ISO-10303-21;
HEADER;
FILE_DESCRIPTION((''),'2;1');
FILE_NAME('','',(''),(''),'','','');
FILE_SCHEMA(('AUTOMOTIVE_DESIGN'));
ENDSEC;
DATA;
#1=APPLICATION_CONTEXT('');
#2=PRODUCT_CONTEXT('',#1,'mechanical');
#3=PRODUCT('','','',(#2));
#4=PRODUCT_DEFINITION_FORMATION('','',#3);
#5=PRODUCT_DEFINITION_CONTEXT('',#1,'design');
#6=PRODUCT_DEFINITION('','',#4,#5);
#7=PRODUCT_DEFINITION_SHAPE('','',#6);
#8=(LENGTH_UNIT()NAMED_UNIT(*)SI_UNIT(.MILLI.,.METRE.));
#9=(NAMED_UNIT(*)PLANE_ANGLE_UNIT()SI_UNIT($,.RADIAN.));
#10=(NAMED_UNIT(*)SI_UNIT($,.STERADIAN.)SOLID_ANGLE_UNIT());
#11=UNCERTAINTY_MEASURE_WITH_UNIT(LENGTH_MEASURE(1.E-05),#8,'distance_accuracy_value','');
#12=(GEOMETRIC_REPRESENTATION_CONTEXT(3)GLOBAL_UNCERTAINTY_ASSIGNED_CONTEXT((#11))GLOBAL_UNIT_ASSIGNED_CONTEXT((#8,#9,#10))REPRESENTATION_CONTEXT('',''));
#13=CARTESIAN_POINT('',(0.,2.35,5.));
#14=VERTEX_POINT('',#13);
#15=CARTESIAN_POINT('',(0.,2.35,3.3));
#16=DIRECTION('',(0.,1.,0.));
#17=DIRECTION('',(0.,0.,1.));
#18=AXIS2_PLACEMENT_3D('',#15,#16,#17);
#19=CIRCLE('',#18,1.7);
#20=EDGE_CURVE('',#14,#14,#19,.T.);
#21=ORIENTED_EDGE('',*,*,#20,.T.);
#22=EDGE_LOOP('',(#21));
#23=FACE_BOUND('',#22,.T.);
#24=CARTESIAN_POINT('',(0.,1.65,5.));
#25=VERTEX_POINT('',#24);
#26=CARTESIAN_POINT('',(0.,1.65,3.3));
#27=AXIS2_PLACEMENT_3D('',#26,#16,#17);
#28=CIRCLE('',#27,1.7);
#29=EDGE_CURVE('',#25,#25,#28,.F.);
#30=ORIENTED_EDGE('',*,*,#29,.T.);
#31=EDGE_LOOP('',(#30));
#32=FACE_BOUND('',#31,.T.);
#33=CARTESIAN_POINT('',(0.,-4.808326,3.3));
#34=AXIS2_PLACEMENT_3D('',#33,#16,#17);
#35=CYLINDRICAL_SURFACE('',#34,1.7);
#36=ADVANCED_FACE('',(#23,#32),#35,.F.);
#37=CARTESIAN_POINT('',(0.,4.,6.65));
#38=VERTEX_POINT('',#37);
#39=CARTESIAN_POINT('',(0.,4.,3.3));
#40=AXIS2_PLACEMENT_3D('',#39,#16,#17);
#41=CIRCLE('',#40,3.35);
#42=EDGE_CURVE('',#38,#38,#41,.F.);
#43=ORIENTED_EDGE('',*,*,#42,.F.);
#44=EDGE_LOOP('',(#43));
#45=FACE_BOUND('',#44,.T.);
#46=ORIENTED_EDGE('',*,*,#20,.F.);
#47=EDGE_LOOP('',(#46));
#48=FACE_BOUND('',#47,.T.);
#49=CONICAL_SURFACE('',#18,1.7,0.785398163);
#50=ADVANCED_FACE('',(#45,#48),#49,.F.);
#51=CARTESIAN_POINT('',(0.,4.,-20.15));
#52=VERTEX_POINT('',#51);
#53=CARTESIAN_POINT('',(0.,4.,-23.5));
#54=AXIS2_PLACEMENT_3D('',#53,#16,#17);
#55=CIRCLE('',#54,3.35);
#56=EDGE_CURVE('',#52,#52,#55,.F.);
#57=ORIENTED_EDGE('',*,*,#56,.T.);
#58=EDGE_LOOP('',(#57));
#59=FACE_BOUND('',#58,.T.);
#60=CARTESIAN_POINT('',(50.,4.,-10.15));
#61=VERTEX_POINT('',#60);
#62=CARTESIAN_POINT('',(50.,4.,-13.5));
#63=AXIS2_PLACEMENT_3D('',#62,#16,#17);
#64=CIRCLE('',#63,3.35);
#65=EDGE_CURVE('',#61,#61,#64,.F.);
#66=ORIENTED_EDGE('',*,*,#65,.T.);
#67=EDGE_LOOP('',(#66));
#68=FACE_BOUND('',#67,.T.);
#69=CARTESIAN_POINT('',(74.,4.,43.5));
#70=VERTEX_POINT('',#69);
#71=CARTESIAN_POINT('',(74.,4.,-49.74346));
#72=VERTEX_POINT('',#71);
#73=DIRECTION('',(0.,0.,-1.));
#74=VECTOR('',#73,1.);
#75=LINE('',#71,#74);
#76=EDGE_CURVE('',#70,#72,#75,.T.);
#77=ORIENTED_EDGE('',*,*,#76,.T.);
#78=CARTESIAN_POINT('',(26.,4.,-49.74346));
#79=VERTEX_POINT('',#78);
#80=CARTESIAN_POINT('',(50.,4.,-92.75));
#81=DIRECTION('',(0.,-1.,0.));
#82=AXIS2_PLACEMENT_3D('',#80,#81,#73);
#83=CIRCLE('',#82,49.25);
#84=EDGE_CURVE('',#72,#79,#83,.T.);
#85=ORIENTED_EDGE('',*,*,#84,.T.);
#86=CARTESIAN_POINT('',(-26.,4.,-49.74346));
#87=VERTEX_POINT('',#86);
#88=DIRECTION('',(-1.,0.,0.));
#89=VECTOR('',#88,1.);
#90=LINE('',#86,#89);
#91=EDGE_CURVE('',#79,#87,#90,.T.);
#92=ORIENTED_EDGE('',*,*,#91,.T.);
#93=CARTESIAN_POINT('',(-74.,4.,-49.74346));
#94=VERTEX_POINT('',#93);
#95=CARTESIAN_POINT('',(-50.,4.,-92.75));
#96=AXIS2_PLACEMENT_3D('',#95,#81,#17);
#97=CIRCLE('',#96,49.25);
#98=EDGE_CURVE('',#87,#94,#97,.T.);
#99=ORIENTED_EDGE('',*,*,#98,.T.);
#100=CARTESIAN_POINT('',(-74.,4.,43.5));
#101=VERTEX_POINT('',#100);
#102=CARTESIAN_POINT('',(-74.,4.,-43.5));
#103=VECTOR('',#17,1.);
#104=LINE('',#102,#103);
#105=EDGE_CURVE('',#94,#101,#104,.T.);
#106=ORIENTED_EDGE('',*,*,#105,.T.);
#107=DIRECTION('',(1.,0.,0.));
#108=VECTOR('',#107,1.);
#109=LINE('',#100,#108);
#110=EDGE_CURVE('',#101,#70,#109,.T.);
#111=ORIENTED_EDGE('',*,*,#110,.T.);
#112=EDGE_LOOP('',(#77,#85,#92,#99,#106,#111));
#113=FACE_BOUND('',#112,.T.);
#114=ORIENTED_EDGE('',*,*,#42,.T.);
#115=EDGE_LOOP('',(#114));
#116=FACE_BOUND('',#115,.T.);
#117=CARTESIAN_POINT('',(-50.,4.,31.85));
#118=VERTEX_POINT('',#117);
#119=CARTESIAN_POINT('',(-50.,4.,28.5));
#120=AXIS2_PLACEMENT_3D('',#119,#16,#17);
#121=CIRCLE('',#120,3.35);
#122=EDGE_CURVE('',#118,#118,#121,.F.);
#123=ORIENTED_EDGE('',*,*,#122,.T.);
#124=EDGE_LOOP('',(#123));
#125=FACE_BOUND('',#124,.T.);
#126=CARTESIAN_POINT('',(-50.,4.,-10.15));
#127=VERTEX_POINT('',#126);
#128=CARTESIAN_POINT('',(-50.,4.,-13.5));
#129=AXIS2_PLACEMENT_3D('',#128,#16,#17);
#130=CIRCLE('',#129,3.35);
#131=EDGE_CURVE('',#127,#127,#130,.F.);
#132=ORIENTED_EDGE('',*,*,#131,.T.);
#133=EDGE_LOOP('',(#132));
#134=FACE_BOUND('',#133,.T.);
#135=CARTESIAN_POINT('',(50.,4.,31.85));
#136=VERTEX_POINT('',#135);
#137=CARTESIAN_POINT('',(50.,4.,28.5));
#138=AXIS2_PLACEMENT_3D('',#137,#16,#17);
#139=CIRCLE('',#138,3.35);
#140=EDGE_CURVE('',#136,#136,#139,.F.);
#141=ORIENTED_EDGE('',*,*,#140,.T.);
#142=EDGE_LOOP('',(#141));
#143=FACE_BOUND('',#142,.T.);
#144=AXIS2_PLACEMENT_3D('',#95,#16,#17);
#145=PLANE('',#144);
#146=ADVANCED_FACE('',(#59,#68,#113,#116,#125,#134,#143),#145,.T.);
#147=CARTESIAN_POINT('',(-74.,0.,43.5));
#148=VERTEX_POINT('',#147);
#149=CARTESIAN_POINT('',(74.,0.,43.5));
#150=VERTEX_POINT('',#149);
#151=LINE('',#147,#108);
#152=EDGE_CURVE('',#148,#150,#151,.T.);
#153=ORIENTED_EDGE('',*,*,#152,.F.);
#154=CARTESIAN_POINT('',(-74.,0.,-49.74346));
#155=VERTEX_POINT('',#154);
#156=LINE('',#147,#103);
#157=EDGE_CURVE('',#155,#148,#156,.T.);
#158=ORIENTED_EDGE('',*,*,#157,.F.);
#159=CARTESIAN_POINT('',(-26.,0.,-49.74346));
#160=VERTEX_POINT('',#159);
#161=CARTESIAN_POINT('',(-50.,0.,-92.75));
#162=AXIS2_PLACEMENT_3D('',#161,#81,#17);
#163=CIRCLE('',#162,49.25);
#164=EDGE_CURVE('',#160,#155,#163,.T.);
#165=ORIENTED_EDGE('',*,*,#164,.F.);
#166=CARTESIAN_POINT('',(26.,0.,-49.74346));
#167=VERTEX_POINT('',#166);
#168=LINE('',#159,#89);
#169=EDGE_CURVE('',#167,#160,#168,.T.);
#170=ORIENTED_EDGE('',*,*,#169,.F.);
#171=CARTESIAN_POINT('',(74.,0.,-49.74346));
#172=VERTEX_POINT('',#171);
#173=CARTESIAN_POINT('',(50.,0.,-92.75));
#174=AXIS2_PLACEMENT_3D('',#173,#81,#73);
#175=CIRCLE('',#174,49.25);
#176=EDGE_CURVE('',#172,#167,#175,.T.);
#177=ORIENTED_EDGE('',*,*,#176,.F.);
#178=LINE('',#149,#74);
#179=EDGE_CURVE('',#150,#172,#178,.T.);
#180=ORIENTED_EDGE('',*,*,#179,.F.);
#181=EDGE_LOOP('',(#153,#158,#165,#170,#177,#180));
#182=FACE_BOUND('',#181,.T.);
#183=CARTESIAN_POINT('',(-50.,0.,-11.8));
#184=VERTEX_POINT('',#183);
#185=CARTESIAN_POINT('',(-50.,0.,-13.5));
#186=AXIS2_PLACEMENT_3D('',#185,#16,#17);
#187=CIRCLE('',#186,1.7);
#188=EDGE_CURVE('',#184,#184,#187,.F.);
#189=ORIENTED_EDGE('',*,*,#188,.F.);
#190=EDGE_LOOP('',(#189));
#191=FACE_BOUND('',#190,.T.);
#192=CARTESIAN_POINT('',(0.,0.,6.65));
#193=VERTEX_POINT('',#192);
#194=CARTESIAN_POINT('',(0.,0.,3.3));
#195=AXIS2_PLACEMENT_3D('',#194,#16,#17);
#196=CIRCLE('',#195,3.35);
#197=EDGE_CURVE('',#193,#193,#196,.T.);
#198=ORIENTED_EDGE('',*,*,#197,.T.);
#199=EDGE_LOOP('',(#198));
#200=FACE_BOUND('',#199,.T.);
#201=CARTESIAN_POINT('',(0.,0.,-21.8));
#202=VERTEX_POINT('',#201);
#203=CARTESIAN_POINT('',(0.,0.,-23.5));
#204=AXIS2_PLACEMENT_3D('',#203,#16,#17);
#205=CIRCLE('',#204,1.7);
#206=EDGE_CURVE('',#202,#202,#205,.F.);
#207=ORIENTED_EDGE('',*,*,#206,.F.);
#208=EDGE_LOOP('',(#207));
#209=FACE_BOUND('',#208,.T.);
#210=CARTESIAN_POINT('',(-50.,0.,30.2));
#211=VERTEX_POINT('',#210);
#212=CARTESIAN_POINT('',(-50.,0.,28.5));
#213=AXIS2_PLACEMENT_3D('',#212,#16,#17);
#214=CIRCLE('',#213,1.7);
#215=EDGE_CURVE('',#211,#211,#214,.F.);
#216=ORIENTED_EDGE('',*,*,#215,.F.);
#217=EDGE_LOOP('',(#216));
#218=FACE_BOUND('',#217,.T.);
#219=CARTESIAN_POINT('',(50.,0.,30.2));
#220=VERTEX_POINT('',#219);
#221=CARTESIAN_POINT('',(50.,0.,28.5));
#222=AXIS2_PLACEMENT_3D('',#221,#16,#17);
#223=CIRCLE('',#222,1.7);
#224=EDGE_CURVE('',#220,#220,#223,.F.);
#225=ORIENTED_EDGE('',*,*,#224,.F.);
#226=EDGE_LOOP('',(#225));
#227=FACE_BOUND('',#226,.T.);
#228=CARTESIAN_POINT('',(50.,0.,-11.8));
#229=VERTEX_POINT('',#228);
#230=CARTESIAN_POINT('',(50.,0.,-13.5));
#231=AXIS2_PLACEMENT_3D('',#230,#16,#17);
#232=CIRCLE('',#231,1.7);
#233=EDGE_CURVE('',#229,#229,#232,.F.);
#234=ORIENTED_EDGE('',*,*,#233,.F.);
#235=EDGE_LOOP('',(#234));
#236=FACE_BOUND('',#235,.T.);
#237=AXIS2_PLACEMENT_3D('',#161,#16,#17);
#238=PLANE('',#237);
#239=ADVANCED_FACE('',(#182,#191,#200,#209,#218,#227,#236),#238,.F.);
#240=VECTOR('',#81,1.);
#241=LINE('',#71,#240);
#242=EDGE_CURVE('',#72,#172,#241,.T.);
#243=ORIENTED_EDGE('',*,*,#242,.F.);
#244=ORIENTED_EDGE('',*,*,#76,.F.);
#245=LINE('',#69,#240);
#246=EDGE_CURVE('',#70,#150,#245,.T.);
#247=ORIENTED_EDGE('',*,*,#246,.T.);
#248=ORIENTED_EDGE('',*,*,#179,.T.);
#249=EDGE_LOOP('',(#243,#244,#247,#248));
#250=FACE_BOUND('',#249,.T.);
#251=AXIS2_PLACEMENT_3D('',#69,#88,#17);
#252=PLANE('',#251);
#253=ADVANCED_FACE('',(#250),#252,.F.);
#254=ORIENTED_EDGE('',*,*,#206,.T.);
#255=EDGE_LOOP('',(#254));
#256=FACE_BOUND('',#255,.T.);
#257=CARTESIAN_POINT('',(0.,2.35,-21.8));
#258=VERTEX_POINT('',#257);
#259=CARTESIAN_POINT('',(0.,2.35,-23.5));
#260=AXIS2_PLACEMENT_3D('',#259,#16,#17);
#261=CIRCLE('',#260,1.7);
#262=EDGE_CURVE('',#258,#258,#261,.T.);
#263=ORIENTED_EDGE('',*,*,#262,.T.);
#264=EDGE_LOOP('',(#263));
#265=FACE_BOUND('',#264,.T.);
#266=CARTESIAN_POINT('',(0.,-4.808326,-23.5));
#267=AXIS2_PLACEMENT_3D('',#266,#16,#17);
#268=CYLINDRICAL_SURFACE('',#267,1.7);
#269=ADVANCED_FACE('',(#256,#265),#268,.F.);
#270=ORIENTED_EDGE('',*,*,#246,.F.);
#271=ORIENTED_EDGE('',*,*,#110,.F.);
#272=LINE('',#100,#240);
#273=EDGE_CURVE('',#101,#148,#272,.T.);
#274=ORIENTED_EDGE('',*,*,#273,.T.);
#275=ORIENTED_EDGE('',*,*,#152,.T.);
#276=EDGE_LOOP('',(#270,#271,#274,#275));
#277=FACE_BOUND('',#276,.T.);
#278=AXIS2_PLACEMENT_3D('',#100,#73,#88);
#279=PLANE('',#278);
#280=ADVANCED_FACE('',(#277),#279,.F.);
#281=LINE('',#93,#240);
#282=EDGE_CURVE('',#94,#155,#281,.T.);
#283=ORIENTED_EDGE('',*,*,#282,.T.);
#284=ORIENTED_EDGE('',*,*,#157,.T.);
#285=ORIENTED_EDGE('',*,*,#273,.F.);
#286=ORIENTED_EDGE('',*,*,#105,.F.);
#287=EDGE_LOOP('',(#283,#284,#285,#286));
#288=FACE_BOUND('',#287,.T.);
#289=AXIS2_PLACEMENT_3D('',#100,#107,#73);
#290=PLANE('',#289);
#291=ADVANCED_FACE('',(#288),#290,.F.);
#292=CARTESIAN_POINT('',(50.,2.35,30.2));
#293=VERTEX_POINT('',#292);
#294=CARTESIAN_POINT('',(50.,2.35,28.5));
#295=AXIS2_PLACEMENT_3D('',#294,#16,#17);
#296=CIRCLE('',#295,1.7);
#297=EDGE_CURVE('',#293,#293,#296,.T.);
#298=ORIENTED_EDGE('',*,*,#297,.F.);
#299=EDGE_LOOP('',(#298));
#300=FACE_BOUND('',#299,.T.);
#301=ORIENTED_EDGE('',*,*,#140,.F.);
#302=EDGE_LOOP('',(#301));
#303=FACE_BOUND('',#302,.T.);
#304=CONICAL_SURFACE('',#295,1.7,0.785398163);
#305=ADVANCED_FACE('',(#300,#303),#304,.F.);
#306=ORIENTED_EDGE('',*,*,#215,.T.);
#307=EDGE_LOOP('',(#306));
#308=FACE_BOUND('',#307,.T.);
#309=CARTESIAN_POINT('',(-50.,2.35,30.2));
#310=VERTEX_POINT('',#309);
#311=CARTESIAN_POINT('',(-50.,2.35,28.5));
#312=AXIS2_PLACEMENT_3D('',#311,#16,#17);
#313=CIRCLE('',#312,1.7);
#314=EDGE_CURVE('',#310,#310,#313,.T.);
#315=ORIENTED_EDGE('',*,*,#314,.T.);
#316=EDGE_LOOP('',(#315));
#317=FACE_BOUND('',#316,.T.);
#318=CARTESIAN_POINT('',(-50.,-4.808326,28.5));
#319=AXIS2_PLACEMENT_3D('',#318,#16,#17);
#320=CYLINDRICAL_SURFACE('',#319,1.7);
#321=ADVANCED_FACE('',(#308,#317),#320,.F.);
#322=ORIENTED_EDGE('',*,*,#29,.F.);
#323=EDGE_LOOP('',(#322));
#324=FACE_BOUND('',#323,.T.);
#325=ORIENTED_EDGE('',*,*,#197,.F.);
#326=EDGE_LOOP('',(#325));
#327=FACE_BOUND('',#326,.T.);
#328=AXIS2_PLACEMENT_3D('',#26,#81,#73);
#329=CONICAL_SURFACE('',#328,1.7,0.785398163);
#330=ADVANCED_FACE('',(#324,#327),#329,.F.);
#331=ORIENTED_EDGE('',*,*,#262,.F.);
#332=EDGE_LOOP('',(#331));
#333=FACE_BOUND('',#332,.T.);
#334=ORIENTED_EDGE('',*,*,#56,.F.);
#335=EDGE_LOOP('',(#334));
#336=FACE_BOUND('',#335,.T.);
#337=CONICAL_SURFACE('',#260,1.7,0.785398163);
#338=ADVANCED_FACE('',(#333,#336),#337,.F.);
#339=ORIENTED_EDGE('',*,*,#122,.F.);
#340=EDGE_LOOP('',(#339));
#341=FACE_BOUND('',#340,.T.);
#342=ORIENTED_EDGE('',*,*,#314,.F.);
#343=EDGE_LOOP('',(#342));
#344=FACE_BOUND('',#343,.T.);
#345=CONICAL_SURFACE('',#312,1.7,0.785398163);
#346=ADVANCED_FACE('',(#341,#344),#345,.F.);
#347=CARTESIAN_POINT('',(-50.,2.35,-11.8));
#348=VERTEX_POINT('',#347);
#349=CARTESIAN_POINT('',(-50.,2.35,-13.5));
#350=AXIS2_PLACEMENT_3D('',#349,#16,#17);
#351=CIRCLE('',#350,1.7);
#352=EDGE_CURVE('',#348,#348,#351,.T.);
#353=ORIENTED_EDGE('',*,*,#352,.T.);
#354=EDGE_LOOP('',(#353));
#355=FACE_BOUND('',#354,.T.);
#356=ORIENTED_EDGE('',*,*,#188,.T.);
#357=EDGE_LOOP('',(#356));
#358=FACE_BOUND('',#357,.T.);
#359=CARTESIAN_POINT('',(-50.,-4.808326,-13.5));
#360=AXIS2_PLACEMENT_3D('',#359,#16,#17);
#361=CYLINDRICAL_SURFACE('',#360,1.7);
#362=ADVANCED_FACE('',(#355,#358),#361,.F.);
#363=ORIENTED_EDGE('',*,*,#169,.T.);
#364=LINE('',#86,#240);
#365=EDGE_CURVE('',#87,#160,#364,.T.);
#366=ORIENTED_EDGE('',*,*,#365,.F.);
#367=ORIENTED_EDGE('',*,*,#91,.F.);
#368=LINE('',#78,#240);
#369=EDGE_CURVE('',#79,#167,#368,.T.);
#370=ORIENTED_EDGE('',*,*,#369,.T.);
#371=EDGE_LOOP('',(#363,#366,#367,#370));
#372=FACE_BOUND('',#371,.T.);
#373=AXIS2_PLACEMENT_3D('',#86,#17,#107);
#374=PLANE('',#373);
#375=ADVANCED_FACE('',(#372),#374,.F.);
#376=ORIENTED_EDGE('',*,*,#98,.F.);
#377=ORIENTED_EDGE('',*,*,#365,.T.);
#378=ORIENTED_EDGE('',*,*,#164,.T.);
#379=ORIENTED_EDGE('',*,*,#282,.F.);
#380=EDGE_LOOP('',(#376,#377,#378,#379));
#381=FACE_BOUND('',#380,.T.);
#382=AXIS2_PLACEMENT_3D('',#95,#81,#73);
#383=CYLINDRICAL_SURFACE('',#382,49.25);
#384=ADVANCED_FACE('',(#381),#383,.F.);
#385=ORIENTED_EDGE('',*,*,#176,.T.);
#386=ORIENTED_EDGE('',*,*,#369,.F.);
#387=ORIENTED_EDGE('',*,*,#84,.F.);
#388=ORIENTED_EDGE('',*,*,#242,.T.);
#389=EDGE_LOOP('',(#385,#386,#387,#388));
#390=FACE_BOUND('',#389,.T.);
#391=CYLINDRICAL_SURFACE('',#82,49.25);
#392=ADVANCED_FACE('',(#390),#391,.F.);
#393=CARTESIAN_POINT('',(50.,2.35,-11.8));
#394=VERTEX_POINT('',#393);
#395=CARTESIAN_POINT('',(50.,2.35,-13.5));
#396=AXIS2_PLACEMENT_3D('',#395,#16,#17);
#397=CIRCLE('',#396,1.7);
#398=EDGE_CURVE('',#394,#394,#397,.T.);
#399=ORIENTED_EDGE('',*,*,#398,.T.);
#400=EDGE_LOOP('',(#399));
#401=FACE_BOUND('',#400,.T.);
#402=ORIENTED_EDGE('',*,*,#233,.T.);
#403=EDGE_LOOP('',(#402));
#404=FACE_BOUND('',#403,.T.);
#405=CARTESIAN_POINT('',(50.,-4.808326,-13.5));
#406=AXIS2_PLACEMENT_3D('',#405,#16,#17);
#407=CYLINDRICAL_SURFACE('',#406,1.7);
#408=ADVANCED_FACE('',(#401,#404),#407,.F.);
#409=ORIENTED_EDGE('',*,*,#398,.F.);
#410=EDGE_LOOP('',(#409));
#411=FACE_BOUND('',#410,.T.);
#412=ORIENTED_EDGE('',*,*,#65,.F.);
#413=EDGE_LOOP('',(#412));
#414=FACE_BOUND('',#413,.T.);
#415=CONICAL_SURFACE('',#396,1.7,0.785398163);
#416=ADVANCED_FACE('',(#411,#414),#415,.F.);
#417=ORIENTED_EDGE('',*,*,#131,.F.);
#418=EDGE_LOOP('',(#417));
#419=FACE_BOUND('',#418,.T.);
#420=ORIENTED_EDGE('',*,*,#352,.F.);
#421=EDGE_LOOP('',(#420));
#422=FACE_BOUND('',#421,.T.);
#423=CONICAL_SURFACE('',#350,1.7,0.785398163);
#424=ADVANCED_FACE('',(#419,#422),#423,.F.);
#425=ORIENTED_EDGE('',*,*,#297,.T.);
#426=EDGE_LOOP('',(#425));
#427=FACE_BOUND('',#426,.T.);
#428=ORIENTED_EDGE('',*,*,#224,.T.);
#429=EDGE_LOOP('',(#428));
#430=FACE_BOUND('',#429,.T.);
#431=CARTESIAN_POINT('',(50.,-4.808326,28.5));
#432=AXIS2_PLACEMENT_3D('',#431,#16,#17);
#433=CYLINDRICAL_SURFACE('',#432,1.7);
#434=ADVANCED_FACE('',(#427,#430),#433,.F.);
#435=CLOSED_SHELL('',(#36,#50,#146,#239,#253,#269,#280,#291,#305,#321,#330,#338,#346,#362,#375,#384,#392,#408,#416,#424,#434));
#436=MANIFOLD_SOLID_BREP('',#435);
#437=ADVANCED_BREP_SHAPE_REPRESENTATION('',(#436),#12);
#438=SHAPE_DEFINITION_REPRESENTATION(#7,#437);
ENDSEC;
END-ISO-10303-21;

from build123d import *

# Parameters (mm, degrees)
BOSS_EXTRUDE1_DEPTH = 4
SKETCH4_R           = 1.7
CUT_EXTRUDE1_DEPTH  = 4
CHAMFER1_SIZE       = 1.65


with BuildPart() as part:
    # Sketch1 → Boss-Extrude1 (new body)
    with BuildSketch(Plane(origin=(0, 0, 0), x_dir=(1, 0, 0), z_dir=(0, 1, 0))):
        with BuildLine():
            Line((-74, 43.5), (-74, 49.7434598))
            ThreePointArc((-74, 49.7434598), (-50, 43.5), (-26, 49.7434598))
            Line((-26, 49.7434598), (26, 49.7434598))
            ThreePointArc((26, 49.7434598), (50, 43.5), (74, 49.7434598))
            Line((74, 49.7434598), (74, 43.5))
            Line((74, 43.5), (74, -43.5))
            Line((74, -43.5), (-74, -43.5))
            Line((-74, -43.5), (-74, 43.5))
        make_face()
    extrude(amount=BOSS_EXTRUDE1_DEPTH)

    # Sketch4 → Cut-Extrude1 (cut)
    with BuildSketch(Plane(origin=(0, 4, 0), x_dir=(1, 0, 0), z_dir=(0, 1, 0))):
        with Locations(Location((-50, -28.5, 0), (0, 0, 270))):
            Circle(SKETCH4_R)
        with Locations(Location((-50, 13.5, 0), (0, 0, 270))):
            Circle(SKETCH4_R)
        with Locations(Location((0, -3.3, 0), (0, 0, 270))):
            Circle(SKETCH4_R)
        with Locations(Location((0, 23.5, 0), (0, 0, 270))):
            Circle(SKETCH4_R)
        with Locations(Location((50, -28.5, 0), (0, 0, 270))):
            Circle(SKETCH4_R)
        with Locations(Location((50, 13.5, 0), (0, 0, 270))):
            Circle(SKETCH4_R)
    extrude(amount=-CUT_EXTRUDE1_DEPTH, mode=Mode.SUBTRACT)

    # Chamfer1
    chamfer1_edges = [part.edges().sort_by_distance(p)[0] for p in [
        (50, 4, 26.8),
        (0, 4, -25.2),
        (0, 4, 1.6),
        (0, 0, 1.6),
        (-50, 4, -15.2),
        (50, 4, -15.2),
        (-50, 4, 26.8),
    ]]
    chamfer(chamfer1_edges, length=CHAMFER1_SIZE)


solid = part.part
